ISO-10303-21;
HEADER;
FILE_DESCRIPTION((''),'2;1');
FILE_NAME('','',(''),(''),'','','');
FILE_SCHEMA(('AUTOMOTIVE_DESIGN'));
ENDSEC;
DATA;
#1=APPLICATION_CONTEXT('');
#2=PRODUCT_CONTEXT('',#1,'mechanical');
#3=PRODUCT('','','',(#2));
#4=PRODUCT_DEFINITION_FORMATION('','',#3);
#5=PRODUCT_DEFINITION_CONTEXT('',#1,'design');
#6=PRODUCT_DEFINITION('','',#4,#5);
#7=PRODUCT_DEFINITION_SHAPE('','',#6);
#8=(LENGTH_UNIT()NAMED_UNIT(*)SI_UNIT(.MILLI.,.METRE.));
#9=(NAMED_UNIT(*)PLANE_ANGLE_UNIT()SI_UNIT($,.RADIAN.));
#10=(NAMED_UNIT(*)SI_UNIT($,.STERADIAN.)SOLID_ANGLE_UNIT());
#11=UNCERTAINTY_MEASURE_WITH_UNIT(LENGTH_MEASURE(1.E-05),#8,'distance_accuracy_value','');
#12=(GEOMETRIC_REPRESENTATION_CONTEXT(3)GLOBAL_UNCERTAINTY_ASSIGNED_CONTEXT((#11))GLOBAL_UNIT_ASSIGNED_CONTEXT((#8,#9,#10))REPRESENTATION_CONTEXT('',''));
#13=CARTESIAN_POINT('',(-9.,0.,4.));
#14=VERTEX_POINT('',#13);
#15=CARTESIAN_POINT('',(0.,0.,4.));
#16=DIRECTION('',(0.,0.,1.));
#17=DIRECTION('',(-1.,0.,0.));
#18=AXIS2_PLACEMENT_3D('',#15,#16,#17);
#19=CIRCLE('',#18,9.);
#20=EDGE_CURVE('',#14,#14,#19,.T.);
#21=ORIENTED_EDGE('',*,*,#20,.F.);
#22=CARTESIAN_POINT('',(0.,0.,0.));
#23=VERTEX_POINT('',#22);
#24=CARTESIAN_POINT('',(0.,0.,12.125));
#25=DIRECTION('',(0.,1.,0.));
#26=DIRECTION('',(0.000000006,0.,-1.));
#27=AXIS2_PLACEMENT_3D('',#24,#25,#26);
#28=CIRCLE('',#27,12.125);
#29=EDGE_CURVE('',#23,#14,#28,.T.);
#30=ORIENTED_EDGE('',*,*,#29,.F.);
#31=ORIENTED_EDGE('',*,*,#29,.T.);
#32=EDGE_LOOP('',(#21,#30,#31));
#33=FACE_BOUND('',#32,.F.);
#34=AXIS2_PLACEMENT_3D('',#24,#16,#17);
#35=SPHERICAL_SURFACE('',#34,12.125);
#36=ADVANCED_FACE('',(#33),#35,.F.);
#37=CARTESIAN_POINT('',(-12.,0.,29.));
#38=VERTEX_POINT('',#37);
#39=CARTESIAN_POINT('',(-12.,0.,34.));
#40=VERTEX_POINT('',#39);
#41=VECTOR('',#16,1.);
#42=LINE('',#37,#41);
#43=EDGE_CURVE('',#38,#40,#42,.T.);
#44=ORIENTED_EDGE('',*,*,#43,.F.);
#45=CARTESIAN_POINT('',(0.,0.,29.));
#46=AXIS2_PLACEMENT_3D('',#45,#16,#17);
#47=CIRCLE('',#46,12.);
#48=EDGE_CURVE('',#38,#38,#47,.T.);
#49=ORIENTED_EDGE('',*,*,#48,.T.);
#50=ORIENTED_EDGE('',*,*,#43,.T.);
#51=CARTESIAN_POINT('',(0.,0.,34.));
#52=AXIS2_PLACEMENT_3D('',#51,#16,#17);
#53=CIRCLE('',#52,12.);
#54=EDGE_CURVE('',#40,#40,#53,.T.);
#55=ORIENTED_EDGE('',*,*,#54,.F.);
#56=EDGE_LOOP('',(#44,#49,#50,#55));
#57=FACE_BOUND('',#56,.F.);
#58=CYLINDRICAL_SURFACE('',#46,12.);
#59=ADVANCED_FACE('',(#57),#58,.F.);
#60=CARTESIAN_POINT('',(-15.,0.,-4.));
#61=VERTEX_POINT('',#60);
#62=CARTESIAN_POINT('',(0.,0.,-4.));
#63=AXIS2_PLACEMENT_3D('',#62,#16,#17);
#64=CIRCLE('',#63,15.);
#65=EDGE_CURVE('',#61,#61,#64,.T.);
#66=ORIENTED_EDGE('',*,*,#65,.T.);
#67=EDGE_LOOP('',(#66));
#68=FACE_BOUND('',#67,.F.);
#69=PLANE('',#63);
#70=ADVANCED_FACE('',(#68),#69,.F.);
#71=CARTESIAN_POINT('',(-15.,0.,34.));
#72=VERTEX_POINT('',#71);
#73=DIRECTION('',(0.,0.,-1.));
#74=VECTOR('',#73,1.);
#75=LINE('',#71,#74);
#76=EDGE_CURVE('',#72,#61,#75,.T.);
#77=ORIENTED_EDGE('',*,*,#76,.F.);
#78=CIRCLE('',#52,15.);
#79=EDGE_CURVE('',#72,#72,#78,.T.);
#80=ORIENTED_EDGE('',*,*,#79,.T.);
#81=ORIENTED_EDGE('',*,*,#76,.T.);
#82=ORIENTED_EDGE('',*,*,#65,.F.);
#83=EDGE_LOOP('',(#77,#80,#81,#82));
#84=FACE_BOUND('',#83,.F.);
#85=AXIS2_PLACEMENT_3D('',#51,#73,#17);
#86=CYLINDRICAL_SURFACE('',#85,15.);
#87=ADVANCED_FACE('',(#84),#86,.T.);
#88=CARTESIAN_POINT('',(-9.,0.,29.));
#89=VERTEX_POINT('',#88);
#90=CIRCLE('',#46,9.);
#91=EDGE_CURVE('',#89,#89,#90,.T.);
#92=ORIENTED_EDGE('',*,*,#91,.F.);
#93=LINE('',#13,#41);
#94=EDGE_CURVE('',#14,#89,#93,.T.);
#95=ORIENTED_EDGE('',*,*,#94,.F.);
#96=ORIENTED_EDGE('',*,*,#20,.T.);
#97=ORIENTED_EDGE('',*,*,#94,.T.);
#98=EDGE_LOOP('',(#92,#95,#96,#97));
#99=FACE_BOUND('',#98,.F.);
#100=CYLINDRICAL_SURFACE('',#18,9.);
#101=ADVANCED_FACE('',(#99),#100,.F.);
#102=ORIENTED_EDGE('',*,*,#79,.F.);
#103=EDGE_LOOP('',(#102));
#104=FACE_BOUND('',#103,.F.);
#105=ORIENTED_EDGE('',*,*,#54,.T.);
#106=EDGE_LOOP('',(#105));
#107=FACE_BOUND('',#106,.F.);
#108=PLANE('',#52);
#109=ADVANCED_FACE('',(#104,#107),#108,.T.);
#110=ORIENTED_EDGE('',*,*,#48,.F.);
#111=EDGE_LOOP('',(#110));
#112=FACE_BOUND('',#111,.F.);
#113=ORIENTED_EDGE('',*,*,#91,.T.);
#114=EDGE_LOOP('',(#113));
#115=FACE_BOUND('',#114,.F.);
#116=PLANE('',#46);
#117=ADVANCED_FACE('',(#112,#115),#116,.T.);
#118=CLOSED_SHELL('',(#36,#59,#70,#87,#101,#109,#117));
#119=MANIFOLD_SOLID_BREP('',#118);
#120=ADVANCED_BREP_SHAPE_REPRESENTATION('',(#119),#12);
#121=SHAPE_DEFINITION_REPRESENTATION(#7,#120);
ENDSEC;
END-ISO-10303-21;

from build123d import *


with BuildPart() as f1:
    # F0 (on Front) → F1 (revolve)
    with BuildSketch(Plane.XZ):
        with BuildLine():
            Line((-15, -4), (0, -4))
            Line((0, -4), (0, 0))
            ThreePointArc((0, 0), (-4.924429, 1.045035), (-9, 4))
            Line((-9, 4), (-9, 29))
            Line((-9, 29), (-12, 29))
            Line((-12, 29), (-12, 34))
            Line((-12, 34), (-15, 34))
            Line((-15, 34), (-15, 29))
            Line((-15, 29), (-15, 4))
            Line((-15, 4), (-15, -4))
        make_face()
    revolve(axis=Axis((0, 0, -2), (0, 0, 1)))


solid = f1.part
